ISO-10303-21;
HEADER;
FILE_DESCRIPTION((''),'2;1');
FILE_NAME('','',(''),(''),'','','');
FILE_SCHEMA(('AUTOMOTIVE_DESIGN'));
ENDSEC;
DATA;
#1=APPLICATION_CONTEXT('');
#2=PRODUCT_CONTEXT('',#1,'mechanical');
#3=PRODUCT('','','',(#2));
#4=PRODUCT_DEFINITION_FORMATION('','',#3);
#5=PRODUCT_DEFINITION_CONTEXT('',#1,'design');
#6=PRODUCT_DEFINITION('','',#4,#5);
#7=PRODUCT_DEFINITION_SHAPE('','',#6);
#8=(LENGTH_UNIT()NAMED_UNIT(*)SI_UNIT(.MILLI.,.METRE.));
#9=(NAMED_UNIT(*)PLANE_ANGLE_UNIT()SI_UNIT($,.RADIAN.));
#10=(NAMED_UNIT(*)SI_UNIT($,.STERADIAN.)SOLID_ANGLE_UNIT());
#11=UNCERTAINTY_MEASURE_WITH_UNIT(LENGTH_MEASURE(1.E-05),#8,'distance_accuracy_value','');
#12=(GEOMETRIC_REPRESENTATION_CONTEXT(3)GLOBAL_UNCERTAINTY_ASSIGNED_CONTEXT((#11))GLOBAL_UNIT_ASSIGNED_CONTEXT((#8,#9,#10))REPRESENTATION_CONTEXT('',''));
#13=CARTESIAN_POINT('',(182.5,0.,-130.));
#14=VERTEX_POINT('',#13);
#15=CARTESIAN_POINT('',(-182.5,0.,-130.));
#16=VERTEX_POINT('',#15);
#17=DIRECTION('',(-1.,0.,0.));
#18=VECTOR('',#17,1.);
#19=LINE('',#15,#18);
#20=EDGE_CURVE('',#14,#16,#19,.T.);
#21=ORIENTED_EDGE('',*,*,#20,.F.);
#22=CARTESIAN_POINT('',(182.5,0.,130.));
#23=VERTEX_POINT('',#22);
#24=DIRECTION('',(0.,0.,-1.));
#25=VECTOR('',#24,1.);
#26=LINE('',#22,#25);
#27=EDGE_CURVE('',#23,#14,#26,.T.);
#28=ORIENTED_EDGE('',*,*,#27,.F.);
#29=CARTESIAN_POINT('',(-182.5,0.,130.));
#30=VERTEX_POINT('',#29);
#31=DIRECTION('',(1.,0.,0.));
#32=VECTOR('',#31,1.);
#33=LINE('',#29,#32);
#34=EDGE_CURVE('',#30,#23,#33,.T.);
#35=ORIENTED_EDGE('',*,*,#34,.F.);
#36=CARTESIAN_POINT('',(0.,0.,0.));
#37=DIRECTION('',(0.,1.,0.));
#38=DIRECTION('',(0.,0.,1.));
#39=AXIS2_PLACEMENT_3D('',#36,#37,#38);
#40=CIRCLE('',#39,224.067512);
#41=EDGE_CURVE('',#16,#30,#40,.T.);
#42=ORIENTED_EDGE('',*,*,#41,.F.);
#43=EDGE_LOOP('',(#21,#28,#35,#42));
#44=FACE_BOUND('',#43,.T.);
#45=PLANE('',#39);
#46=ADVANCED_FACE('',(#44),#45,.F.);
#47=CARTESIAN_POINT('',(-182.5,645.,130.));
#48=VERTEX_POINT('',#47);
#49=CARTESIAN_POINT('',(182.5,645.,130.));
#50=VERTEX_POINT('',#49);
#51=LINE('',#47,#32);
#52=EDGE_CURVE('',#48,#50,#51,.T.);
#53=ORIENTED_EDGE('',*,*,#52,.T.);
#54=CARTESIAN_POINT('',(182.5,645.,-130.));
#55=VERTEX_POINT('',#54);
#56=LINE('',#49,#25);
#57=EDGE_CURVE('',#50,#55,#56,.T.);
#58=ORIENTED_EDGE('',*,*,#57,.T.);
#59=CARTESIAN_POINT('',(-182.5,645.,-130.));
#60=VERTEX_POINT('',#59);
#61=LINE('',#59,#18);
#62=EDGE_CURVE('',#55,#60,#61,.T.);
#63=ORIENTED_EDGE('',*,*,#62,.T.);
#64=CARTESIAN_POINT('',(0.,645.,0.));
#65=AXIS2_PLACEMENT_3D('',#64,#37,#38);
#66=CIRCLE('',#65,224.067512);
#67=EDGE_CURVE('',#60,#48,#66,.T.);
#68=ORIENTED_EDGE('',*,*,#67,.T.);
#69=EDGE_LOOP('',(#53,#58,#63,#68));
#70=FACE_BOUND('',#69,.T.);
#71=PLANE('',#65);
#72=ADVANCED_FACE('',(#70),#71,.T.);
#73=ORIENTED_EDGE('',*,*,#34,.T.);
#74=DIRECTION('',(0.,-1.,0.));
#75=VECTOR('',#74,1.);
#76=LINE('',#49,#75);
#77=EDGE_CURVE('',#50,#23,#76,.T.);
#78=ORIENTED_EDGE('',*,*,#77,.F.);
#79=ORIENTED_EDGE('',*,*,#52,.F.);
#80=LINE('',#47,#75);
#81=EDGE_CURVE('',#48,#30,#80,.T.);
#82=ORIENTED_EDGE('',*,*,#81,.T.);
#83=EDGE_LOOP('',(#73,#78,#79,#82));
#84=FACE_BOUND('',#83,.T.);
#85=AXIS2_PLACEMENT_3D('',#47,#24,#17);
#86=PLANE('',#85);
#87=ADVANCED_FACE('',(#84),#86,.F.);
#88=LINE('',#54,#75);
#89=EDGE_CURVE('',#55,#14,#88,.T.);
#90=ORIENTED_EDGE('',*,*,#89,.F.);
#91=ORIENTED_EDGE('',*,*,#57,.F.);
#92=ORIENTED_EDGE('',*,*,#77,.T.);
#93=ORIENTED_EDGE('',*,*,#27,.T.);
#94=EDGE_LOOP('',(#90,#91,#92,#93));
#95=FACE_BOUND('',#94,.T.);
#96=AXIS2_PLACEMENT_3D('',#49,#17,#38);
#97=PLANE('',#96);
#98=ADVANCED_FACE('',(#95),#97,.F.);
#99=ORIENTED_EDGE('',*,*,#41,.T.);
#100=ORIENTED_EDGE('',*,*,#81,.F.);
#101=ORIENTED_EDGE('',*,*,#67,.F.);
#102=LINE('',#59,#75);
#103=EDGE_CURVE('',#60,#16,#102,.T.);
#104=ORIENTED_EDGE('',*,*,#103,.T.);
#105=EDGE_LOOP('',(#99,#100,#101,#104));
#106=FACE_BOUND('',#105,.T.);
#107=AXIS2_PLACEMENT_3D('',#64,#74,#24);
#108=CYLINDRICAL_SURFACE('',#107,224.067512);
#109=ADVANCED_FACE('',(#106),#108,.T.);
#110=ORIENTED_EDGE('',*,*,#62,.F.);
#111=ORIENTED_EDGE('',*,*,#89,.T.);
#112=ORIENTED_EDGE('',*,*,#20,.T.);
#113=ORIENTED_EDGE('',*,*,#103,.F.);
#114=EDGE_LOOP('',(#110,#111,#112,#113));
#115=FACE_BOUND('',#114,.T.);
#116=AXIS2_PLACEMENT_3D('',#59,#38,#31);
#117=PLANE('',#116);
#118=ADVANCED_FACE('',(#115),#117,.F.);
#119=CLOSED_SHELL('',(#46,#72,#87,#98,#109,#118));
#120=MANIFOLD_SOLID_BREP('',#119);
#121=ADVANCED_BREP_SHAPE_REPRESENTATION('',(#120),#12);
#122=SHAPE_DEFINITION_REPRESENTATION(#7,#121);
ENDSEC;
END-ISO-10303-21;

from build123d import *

# Parameters (mm, degrees)
BOSS_EXTRUDE1_DEPTH = 645


with BuildPart() as part:
    # Sketch1 → Boss-Extrude1 (new body)
    with BuildSketch(Plane(origin=(0, 0, 0), x_dir=(1, 0, 0), z_dir=(0, 1, 0))):
        with BuildLine():
            Line((-182.5, -130), (182.5, -130))
            Line((182.5, -130), (182.5, 130))
            Line((182.5, 130), (-182.5, 130))
            ThreePointArc((-182.5, 130), (-224.067512148, 0), (-182.5, -130))
        make_face()
    extrude(amount=BOSS_EXTRUDE1_DEPTH)


solid = part.part
